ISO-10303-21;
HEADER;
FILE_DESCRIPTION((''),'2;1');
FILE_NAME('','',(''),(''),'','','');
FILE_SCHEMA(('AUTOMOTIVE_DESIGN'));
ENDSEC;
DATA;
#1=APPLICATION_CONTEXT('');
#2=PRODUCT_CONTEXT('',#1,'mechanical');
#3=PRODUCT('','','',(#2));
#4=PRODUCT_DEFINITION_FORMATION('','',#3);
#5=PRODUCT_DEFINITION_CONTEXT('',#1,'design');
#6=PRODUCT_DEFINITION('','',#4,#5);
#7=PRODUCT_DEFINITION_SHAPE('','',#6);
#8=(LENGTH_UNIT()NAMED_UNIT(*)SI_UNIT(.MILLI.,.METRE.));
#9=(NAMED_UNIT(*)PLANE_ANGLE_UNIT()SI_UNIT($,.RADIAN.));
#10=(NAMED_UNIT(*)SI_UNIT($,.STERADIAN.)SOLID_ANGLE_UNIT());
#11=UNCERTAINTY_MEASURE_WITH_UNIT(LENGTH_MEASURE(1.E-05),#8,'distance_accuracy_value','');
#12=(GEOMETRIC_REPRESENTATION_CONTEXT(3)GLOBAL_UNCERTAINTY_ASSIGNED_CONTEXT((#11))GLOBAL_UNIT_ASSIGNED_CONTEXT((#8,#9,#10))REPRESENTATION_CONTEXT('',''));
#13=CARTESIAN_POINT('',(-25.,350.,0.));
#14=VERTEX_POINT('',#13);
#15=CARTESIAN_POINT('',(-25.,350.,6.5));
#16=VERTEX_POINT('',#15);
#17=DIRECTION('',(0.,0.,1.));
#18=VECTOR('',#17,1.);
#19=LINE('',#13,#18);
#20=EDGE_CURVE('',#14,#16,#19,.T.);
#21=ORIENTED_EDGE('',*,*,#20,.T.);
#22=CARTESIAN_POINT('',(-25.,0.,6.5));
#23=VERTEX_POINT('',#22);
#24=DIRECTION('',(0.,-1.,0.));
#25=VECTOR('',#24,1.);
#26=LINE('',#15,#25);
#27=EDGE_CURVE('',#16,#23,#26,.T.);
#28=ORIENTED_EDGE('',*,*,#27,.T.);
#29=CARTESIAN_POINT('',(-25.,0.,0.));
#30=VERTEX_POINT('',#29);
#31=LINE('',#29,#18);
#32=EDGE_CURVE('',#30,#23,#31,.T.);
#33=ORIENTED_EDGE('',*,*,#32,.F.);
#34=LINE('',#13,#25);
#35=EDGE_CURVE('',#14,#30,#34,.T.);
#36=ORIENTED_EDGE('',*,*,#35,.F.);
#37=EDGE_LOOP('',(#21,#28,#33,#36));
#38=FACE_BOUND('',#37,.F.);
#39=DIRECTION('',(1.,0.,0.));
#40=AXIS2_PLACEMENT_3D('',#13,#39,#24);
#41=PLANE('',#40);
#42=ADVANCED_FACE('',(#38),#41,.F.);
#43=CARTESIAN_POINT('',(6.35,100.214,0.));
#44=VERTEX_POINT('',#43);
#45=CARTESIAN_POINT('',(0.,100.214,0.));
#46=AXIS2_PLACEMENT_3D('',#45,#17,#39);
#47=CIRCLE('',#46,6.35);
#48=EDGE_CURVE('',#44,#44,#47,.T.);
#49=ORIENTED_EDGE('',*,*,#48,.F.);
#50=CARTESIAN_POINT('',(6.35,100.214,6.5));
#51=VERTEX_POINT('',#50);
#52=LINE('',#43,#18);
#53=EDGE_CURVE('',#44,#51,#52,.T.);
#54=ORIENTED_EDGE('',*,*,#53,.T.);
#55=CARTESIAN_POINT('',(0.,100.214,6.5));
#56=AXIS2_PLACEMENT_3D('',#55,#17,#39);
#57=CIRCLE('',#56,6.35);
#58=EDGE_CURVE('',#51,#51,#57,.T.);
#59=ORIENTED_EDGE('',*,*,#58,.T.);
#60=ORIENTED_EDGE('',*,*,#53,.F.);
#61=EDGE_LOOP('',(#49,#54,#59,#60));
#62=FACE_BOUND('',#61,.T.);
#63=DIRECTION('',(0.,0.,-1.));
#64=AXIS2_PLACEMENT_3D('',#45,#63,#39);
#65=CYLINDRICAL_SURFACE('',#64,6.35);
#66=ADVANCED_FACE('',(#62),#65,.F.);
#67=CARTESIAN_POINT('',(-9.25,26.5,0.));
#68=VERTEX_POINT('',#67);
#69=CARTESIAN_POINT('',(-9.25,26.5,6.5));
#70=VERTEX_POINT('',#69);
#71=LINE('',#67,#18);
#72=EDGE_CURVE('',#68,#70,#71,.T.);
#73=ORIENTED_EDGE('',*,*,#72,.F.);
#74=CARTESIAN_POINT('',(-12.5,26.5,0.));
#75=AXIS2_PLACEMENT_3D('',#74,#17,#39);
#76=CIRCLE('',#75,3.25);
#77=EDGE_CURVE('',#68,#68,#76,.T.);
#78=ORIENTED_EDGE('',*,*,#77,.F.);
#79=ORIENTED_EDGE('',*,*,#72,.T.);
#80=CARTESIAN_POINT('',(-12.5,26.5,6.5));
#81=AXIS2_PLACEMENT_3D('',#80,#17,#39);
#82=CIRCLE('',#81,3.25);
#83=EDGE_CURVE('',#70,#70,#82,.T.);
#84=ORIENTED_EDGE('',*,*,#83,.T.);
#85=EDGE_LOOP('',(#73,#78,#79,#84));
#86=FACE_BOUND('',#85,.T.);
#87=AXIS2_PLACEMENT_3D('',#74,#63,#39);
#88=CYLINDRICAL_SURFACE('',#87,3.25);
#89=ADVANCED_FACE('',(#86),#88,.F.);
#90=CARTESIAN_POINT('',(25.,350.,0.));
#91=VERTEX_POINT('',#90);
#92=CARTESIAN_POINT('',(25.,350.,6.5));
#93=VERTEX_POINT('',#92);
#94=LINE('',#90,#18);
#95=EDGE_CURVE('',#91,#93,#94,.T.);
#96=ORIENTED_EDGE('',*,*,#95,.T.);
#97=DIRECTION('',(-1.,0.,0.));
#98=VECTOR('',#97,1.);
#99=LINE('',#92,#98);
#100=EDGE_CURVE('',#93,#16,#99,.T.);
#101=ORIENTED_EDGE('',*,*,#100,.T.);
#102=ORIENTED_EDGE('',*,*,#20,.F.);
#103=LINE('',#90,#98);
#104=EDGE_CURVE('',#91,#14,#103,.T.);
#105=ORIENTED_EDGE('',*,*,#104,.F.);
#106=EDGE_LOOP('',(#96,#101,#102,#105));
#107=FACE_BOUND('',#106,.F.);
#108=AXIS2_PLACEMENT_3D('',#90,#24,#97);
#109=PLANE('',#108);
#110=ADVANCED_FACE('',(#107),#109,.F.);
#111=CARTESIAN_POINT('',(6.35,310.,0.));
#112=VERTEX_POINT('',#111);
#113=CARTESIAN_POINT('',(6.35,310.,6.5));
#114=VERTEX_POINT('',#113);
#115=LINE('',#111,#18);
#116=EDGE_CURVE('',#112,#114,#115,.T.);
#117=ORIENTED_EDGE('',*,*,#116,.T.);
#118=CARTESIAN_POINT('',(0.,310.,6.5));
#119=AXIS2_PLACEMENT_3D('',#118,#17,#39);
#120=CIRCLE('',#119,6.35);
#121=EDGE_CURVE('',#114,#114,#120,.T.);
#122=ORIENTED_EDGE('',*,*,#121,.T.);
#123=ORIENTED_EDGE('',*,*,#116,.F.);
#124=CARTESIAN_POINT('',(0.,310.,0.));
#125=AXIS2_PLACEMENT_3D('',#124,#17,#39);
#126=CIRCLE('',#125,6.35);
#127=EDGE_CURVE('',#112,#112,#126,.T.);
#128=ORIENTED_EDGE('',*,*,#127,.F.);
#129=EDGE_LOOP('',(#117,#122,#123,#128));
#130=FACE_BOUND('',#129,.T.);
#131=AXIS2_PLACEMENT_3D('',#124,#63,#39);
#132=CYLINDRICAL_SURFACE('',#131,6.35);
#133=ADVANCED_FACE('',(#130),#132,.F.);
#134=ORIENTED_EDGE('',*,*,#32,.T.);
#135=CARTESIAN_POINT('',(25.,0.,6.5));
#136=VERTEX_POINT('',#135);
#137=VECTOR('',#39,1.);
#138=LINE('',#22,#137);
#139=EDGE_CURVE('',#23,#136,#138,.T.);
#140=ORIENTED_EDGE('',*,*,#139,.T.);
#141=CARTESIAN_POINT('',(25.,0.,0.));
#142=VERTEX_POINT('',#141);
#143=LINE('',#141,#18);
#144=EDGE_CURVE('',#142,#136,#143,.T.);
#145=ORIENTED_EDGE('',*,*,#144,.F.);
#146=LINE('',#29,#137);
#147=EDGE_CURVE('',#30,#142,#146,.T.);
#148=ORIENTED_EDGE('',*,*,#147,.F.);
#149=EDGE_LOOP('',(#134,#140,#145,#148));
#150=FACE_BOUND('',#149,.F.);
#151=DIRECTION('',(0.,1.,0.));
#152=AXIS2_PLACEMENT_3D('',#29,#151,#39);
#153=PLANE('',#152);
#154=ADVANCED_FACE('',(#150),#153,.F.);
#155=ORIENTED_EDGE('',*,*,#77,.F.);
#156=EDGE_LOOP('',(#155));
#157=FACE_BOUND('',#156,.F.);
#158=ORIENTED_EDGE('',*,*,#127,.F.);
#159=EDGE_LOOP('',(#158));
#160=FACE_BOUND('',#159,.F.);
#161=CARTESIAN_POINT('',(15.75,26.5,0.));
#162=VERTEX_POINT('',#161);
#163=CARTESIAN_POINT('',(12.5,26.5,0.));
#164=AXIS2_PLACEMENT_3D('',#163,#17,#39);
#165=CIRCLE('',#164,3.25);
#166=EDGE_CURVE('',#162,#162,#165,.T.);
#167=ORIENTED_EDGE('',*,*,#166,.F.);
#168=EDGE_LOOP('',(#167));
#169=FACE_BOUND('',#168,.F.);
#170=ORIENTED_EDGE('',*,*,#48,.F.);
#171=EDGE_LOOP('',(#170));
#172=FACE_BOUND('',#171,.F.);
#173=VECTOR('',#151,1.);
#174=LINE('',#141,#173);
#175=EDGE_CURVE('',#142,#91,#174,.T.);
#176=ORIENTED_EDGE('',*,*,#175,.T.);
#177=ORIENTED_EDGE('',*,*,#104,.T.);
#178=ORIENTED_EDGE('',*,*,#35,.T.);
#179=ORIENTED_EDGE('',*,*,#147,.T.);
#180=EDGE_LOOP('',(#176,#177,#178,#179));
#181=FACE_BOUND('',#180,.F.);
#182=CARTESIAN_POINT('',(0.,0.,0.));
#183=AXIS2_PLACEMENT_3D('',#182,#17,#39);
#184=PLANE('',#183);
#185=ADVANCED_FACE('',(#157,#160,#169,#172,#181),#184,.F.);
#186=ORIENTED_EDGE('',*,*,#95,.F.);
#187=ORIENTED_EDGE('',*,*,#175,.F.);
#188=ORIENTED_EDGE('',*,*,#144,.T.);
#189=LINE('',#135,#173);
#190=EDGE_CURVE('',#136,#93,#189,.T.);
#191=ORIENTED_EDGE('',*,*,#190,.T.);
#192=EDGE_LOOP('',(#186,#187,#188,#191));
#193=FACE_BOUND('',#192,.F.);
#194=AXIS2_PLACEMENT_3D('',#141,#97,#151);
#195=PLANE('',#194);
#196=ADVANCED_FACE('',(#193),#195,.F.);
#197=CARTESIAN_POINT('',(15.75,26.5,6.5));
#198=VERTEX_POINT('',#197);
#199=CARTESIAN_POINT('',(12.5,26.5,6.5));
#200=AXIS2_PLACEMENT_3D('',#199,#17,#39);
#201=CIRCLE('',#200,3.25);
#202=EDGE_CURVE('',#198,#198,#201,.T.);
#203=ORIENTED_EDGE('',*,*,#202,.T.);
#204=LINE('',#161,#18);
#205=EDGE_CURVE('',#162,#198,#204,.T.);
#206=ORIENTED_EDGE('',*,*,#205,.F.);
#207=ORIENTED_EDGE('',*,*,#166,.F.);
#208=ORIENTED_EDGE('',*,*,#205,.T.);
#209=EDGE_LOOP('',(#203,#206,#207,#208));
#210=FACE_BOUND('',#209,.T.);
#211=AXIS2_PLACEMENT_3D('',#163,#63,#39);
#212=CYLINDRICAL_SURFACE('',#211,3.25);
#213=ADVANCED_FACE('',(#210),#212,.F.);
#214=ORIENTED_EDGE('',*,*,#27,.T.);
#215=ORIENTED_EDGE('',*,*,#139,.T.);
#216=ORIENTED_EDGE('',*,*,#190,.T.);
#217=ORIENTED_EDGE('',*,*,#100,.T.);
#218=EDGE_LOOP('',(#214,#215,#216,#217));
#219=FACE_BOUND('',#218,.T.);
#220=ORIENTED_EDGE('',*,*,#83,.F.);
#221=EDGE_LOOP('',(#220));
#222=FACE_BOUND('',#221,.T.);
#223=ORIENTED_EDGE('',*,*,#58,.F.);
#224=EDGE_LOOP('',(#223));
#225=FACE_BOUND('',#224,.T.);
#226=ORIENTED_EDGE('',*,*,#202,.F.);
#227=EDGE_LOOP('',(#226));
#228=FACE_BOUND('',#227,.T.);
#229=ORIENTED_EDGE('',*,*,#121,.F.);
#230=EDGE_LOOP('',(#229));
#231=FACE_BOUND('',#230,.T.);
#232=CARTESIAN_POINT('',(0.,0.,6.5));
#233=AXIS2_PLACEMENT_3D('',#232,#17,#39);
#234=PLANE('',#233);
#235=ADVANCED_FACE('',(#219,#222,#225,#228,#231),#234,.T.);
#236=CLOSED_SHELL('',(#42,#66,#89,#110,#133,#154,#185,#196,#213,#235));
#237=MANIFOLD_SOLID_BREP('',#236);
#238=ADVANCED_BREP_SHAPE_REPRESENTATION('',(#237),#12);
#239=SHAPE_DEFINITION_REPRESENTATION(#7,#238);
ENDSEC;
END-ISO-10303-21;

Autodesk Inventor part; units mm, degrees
ref_plane "YZ Plane" through (0, 0, 0) normal (1, 0, 0) x (0, 1, 0)
ref_plane "XZ Plane" through (0, 0, 0) normal (0, 1, 0) x (-1, 0, 0)
ref_plane "XY Plane" through (0, 0, 0) normal (0, 0, 1) x (1, 0, 0)
sketch "Sketch1" plane through (0, 0, 0) normal (0, 0, 1) x (1, 0, 0)
  line L0 (-25, 0) -> (25, 0)
  line L1 (25, 0) -> (25, 350)
  line L2 (25, 350) -> (-25, 350)
  line L3 (-25, 350) -> (-25, 0)
  circle A0 centre (0, 100.214) radius 6.35
  circle A1 centre (0, 310) radius 6.35
  circle A2 centre (-12.5, 26.5) radius 3.25
  circle A3 centre (12.5, 26.5) radius 3.25
  point P0 (0, 0)
  dimension "d0" = 50
  dimension "d1" = 350
  dimension "d2" = 12.7
  dimension "d3" = 12.7
  dimension "d4" = 6.5
  dimension "d5" = 6.5
extrude "Extrusion1" add sketch "Sketch1" along normal blind 6.5
sketch "Sketch2" plane through (0, 0, 6.5) normal (0, 0, 1) x (1, 0, 0)
  point P0 (0, 0)
properties part number "Main Support"
